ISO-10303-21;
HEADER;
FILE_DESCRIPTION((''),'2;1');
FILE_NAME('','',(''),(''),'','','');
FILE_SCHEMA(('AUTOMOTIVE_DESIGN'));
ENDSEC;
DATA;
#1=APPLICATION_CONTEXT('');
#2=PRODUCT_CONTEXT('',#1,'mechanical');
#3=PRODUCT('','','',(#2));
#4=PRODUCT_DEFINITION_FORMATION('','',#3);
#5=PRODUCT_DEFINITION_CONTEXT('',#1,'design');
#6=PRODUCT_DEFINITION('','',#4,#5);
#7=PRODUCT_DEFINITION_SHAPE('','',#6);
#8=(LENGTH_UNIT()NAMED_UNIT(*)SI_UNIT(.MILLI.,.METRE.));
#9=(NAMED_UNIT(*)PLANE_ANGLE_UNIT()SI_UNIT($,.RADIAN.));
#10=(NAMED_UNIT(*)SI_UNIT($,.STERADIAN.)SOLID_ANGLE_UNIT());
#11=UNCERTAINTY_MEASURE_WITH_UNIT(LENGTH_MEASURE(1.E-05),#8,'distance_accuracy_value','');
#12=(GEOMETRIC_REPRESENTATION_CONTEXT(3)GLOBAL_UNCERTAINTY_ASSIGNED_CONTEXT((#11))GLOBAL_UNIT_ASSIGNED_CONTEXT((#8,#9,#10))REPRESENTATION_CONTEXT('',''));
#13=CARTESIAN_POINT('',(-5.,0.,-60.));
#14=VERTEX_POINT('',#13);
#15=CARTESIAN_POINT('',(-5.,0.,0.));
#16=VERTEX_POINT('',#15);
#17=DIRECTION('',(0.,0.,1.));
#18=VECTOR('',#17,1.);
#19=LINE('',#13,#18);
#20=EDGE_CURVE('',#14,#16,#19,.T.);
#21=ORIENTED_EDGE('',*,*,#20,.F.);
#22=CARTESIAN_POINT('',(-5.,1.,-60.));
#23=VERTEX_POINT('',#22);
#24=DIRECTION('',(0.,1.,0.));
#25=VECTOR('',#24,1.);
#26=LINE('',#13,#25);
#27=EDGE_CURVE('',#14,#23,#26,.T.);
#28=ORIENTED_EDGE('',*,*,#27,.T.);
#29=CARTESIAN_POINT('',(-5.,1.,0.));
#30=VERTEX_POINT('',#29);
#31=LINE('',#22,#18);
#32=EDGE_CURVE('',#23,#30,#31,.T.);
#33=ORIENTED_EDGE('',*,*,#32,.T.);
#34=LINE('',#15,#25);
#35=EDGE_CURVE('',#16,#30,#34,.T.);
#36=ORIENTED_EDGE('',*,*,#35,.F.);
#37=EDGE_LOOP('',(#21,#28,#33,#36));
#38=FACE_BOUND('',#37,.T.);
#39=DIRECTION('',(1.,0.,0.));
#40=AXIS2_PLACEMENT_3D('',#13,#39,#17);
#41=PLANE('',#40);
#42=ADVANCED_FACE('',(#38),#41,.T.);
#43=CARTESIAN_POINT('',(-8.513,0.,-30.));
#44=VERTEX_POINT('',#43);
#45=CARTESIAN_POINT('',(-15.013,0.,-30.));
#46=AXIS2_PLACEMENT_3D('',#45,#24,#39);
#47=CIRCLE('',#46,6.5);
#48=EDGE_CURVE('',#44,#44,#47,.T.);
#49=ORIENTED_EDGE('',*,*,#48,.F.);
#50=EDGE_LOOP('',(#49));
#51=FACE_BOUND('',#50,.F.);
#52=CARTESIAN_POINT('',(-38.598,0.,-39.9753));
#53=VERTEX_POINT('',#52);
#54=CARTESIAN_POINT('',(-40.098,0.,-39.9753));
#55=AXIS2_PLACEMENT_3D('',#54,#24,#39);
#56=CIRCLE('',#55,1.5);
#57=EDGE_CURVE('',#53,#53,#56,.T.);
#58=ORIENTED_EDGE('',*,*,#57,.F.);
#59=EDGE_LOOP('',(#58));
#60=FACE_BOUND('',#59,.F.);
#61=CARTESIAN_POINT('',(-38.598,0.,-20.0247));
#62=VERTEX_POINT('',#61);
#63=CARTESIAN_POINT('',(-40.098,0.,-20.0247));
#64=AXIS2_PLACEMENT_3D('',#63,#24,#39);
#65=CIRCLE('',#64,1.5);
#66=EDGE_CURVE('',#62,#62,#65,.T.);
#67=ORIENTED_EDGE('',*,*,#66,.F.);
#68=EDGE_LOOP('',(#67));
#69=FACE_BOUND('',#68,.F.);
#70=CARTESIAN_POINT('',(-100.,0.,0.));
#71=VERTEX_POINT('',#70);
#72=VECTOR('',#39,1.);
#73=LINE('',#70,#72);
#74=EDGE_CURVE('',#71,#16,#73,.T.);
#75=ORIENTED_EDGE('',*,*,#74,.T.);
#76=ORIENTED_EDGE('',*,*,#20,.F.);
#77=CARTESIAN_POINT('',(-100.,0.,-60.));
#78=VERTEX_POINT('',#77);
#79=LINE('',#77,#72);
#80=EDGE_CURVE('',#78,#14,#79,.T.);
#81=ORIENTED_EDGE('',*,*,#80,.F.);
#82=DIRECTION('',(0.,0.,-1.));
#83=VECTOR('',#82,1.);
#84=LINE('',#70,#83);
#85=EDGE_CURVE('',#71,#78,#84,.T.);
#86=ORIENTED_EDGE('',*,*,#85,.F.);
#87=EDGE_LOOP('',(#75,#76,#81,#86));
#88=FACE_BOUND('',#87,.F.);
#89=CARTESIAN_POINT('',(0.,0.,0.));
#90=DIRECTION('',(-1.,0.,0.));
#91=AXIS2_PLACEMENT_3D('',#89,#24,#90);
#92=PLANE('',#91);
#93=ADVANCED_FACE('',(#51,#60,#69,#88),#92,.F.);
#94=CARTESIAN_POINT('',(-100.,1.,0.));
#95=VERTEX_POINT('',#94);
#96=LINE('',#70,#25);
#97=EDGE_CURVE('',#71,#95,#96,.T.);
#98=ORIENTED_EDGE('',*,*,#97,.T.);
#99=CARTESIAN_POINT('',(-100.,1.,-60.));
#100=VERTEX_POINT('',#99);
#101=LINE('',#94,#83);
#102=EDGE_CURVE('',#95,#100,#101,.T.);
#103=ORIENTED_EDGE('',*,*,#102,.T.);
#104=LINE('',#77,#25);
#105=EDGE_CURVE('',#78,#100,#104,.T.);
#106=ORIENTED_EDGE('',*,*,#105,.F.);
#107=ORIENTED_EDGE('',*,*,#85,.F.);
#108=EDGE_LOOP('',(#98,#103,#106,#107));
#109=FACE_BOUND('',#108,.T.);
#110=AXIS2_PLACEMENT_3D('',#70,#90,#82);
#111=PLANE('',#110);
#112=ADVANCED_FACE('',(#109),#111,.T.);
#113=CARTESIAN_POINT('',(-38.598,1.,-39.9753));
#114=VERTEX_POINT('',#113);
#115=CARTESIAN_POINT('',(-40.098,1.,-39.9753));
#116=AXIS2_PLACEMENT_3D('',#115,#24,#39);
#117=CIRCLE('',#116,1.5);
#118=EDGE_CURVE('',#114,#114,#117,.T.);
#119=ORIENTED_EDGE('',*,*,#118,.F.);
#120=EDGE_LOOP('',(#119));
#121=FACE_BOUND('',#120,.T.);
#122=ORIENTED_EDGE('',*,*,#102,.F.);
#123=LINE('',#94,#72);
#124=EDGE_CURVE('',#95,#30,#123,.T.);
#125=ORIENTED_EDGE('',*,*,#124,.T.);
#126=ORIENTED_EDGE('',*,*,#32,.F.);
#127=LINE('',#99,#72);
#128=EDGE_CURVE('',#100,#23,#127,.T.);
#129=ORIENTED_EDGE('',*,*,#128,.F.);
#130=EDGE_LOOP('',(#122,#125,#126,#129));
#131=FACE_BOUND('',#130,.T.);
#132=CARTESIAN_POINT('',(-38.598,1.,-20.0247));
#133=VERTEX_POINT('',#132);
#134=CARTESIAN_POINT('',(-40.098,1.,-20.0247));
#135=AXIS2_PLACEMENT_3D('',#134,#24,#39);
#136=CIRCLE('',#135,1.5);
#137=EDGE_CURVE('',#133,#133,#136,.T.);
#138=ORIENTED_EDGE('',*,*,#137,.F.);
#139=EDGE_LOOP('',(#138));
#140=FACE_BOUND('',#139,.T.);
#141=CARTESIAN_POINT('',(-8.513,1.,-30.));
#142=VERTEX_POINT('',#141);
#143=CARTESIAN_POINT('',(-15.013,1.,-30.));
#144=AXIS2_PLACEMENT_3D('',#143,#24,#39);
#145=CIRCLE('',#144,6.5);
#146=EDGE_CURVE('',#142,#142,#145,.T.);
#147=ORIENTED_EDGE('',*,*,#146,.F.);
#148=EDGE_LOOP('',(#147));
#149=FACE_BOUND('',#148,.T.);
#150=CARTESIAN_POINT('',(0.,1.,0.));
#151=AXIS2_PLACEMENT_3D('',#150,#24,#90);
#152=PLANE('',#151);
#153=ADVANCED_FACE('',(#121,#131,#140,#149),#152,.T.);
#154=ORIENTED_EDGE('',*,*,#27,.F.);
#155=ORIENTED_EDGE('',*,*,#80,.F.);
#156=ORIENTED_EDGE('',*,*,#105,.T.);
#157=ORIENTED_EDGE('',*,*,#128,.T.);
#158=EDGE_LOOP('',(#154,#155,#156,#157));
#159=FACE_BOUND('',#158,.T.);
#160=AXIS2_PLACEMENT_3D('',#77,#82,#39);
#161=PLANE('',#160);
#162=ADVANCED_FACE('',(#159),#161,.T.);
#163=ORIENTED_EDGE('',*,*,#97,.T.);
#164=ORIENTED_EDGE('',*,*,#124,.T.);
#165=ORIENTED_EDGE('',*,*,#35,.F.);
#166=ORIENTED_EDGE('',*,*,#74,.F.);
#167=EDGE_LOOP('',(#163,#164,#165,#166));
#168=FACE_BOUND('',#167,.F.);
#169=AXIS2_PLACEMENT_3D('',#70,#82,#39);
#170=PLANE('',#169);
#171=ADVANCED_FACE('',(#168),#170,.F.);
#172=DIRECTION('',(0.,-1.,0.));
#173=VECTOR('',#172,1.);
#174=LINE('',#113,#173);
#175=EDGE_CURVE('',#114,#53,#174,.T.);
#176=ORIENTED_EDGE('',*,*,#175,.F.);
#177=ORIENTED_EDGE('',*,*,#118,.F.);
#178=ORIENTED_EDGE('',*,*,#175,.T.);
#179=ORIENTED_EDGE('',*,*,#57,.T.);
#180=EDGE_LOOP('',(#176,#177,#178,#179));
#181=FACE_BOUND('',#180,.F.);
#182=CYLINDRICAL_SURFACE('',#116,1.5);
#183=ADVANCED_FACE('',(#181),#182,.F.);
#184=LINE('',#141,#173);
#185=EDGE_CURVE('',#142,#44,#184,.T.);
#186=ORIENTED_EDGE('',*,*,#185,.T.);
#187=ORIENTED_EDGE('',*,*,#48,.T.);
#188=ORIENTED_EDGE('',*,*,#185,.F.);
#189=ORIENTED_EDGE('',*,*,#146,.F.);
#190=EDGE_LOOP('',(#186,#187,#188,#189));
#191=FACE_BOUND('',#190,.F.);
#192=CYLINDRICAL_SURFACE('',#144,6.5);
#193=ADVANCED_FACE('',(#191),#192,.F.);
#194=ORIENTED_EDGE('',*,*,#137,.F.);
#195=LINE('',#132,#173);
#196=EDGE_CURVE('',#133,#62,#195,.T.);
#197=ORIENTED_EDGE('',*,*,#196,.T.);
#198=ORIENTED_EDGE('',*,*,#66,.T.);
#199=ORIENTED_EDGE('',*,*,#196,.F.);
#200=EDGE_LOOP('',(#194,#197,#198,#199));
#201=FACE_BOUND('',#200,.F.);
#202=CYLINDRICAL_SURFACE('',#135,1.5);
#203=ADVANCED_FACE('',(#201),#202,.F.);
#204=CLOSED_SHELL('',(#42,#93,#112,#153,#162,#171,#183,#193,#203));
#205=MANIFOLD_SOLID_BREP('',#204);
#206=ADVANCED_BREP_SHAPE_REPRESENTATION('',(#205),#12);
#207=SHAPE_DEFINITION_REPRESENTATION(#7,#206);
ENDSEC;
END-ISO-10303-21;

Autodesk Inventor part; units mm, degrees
ref_plane "YZ Plane" through (0, 0, 0) normal (1, 0, 0) x (0, 1, 0)
ref_plane "XZ Plane" through (0, 0, 0) normal (0, 1, 0) x (-1, 0, 0)
ref_plane "XY Plane" through (0, 0, 0) normal (0, 0, 1) x (1, 0, 0)
sketch "Sketch1" plane through (0, 0, 0) normal (0, 1, 0) x (-1, 0, 0)
  line L0 (100, 0) -> (100, -60)
  line L1 (5, -60) -> (5, 0)
  line L2 (100, -60) -> (5, -60)
  line L3 (100, 0) -> (5, 0)
  point P0 (0, 0)
  dimension "d1" = 60
extrude "Extrusion1" add sketch "Sketch1" along normal blind 1
sketch "Sketch3" plane through (0, 1, 0) normal (0, 1, 0) x (1, 0, 0)
  point P0 (0, 0)
sketch "Sketch4" plane through (0, 1, 0) normal (0, 1, 0) x (1, 0, 0)
  point P0 (0, 0)
sketch "Sketch5" plane through (0, 1, 0) normal (0, 1, 0) x (1, 0, 0)
  circle A0 centre (-40.098, 20.0247) radius 1.5
  circle A1 centre (-40.098, 39.9753) radius 1.5
  circle A2 centre (-15.013, 30) radius 6.5
  point P0 (0, 0)
  dimension "d9" = 3
  dimension "d10" = 3
  dimension "d11" = 13
extrude "Extrusion3" cut sketch "Sketch5" against normal blind 1
properties part number "striking"
